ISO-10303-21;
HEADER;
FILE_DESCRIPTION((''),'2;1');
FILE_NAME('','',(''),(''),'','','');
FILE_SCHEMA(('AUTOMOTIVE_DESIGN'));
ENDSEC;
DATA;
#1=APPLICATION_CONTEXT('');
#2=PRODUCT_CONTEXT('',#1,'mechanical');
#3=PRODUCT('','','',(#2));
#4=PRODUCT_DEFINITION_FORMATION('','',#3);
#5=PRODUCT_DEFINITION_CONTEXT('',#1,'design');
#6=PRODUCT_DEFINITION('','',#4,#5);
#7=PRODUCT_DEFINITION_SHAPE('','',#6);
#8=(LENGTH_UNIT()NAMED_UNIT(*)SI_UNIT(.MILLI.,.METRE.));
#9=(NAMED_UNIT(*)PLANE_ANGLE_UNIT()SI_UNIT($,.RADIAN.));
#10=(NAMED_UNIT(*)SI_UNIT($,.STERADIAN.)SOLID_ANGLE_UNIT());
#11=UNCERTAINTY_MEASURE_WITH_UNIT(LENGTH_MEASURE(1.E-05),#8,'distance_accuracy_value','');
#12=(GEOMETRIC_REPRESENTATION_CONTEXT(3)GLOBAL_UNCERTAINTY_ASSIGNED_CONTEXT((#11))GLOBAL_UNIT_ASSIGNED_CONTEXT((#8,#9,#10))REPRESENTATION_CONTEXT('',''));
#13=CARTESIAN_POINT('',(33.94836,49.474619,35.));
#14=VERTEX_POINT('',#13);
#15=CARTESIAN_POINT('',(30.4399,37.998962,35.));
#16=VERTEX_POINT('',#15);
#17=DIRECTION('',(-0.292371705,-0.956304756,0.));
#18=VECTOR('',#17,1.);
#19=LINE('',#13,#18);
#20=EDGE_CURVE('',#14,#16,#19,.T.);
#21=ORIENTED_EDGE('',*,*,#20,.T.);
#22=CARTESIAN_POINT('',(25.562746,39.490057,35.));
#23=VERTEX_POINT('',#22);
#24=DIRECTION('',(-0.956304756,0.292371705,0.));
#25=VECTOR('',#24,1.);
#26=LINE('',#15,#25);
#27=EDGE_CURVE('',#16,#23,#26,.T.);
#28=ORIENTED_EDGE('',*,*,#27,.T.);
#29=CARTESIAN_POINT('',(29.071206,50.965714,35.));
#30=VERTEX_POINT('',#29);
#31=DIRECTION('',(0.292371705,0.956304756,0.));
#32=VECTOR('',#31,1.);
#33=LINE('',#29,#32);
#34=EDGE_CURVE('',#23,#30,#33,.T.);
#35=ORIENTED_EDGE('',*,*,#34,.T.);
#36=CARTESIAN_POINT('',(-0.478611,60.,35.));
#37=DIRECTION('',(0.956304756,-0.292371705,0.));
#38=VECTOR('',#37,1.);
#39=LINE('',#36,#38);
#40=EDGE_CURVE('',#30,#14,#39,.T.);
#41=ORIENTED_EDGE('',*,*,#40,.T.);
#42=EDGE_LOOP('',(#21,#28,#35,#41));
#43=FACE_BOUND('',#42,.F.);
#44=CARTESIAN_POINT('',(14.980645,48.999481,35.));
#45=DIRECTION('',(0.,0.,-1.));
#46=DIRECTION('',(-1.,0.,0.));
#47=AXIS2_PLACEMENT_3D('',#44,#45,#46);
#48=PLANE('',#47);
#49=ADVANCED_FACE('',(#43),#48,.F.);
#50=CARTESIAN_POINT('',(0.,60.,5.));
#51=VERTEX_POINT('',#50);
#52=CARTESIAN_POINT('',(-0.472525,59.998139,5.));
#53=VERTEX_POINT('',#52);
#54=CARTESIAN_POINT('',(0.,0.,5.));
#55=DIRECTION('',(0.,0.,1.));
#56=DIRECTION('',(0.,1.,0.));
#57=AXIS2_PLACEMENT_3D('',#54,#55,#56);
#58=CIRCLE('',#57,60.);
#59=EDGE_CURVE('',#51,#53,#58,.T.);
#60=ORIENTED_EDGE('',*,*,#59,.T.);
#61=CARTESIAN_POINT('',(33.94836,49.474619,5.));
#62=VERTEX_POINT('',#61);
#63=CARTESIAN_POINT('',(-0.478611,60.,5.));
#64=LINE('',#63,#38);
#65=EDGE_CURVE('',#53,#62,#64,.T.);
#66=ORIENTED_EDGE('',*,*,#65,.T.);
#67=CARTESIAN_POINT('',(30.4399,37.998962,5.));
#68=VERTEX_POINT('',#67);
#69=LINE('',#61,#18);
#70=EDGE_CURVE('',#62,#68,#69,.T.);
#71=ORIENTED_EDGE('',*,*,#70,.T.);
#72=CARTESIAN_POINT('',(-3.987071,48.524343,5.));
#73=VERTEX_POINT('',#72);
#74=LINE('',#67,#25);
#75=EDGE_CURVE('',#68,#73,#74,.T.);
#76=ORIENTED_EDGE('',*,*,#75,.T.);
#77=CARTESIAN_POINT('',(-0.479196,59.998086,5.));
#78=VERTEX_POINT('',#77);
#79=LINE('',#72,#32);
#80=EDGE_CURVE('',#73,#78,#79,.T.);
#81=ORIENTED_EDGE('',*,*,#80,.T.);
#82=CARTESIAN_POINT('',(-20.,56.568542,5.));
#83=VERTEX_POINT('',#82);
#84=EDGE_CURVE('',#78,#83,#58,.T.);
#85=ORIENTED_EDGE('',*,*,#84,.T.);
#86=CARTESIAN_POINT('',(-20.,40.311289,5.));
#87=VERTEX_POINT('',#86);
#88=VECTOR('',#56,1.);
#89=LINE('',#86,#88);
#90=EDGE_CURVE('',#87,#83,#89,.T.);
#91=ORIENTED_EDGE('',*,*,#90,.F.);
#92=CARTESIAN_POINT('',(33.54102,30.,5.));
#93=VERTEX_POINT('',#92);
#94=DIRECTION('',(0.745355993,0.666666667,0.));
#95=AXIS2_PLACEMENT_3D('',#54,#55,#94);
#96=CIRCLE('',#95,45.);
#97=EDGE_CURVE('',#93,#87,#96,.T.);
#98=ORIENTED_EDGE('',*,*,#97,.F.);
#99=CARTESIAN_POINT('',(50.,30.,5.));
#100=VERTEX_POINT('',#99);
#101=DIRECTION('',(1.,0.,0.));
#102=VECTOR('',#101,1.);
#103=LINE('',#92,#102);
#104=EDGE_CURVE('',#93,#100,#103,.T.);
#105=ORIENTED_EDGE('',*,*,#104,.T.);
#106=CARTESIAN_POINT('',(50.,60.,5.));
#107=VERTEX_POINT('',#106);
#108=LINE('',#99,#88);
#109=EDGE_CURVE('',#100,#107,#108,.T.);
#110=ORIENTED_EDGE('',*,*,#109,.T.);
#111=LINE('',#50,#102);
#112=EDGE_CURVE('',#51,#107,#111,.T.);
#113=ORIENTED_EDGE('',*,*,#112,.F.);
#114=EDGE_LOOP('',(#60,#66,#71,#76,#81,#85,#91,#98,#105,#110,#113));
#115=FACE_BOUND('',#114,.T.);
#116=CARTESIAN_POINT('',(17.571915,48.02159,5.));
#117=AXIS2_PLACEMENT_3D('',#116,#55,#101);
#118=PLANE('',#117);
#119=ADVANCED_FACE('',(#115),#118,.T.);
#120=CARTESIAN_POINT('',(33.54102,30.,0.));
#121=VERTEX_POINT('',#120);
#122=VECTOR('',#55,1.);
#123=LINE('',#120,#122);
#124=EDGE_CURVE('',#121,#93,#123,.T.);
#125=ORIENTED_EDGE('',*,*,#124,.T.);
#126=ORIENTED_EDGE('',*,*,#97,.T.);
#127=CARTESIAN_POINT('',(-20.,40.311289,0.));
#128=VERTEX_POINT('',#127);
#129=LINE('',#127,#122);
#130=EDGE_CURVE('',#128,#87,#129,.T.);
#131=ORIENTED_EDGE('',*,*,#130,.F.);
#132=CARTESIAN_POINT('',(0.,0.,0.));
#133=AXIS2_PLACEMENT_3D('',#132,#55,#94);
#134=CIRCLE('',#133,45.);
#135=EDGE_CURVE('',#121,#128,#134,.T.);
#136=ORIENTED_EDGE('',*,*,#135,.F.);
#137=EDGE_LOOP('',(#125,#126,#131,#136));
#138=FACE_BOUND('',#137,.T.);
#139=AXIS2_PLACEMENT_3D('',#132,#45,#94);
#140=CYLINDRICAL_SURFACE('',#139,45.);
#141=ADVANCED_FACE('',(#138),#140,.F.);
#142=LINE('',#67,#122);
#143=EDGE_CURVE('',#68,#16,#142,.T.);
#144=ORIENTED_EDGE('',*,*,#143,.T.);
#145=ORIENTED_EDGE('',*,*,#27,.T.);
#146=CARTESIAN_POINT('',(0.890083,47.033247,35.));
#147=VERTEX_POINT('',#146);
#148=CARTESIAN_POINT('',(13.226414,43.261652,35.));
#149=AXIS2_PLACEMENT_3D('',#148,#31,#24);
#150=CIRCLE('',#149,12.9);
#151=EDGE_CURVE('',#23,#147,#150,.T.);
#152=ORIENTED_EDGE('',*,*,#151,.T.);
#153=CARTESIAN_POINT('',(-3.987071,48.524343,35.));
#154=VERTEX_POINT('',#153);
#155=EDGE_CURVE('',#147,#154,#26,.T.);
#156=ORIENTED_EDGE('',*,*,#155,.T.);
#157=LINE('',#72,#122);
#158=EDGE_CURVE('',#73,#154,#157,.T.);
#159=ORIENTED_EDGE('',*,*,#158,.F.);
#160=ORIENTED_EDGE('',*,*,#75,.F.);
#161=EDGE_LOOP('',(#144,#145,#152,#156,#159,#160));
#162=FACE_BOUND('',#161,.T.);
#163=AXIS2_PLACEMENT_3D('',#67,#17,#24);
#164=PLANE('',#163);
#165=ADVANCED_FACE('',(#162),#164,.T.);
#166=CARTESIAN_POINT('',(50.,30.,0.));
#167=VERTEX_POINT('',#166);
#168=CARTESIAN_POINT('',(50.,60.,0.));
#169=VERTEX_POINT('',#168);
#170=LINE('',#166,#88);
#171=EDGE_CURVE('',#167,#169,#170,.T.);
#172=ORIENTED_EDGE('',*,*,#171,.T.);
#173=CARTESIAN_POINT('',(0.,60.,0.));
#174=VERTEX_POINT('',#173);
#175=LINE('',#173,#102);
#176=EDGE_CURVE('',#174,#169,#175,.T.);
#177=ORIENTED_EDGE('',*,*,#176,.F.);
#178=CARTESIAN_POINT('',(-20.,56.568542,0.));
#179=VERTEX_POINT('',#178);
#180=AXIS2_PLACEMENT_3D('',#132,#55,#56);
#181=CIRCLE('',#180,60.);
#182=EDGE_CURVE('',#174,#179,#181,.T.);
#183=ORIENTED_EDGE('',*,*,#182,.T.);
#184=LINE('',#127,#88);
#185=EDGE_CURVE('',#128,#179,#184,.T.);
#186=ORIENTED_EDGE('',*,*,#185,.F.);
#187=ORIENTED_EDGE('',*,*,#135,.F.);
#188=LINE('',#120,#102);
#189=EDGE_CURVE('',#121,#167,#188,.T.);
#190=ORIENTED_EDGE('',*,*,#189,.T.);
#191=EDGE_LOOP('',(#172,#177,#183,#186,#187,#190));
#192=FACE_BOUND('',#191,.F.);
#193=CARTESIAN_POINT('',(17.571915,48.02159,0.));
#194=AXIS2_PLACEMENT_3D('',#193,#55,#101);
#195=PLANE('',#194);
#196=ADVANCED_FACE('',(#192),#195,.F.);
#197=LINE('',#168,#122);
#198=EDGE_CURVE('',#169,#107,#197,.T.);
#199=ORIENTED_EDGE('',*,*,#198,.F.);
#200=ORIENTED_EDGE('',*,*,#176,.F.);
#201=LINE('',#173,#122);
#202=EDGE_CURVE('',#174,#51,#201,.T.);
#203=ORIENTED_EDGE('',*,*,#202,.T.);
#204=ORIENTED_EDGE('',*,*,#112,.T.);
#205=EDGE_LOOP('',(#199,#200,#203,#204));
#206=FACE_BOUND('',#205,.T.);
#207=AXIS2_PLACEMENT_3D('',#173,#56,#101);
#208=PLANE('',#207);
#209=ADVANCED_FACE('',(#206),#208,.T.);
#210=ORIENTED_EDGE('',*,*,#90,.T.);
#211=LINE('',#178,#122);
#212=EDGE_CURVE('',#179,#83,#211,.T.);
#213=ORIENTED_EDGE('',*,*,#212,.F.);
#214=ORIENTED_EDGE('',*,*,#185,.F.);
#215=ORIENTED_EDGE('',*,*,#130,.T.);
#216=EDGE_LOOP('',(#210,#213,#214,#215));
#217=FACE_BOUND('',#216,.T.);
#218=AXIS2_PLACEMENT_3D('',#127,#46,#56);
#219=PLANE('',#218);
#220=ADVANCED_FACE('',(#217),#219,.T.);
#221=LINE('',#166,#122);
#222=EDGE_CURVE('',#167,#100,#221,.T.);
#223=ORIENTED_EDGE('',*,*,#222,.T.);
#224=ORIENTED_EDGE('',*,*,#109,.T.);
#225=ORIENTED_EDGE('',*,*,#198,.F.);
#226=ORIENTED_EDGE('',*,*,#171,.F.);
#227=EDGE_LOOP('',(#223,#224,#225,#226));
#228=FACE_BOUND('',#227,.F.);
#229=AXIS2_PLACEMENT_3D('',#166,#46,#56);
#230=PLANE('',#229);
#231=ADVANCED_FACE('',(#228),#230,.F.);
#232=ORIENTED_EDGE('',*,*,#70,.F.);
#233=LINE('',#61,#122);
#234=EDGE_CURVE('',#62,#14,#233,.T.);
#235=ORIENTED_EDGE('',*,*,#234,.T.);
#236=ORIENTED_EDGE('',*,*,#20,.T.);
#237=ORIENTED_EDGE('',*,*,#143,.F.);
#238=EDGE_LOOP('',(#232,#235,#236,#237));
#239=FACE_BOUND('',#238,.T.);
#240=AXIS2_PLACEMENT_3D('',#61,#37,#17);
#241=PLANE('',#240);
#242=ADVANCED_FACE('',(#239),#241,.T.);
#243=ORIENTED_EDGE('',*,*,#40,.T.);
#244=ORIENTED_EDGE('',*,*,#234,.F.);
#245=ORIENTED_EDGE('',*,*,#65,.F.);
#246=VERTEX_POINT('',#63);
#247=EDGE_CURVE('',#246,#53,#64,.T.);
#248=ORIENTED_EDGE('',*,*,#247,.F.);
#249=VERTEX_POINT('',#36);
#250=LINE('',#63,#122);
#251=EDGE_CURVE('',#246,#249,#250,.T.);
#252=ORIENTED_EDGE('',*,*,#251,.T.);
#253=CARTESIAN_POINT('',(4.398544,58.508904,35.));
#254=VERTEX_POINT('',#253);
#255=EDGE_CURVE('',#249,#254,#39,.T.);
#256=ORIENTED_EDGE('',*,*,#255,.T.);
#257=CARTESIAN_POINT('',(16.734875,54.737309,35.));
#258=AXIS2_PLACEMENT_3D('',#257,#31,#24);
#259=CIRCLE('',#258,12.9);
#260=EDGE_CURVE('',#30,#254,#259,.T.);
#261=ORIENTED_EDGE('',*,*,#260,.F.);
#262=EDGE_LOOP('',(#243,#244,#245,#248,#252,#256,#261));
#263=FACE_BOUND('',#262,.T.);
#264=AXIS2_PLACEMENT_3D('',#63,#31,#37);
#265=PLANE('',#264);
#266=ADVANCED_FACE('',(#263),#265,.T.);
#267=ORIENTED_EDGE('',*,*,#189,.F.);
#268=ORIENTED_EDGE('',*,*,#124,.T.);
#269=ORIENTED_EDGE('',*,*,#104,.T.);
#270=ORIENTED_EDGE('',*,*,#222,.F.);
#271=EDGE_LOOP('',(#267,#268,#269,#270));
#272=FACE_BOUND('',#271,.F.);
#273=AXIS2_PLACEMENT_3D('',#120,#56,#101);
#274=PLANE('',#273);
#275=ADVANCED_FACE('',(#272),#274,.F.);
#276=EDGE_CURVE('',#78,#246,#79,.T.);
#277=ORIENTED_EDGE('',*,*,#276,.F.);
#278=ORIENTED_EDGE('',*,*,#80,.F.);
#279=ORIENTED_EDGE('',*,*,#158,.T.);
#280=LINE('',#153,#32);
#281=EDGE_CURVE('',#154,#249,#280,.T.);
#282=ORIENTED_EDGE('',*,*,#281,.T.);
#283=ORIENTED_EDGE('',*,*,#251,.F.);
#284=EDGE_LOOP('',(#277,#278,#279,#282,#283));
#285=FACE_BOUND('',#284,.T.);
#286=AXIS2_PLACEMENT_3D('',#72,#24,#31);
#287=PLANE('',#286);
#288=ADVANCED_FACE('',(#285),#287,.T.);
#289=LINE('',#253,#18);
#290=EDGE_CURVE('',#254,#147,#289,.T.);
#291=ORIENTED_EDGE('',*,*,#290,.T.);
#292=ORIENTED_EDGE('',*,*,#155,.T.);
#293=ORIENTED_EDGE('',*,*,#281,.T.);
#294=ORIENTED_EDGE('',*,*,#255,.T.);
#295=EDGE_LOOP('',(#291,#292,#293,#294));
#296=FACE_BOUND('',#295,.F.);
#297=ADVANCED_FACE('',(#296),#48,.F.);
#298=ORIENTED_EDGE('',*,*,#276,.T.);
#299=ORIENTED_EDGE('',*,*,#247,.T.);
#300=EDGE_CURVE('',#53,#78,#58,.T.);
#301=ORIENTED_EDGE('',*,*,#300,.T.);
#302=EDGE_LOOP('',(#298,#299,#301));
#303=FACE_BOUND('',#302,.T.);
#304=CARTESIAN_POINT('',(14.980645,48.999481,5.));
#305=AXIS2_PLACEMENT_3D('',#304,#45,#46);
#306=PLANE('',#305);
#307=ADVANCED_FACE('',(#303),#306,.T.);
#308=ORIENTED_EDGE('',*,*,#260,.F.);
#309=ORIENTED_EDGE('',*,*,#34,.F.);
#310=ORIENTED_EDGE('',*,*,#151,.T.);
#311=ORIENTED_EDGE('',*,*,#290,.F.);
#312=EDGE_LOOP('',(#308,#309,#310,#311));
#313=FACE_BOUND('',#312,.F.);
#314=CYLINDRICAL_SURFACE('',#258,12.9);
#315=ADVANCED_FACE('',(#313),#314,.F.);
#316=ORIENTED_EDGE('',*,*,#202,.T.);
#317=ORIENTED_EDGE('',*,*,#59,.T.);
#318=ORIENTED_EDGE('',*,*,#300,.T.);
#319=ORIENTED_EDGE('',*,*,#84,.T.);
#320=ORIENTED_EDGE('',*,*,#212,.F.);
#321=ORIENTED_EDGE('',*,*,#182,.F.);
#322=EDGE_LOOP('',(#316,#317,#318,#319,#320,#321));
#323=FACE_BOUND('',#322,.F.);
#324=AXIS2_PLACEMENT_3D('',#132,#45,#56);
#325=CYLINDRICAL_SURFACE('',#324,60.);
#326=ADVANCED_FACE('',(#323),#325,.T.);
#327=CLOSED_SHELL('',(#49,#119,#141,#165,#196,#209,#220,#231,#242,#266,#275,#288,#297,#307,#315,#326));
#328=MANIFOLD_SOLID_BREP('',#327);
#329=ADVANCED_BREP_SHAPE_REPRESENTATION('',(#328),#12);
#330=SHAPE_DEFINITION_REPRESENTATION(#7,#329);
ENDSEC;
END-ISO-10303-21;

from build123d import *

# Parameters (mm, degrees)
PAD_DEPTH    = 5
PAD001_DEPTH = 30
SKETCH002_R  = 12.9
POCKET_DEPTH = 34.3976445385


with BuildPart() as part:
    # Sketch → Pad (new body)
    with BuildSketch(Plane.XY):
        with BuildLine():
            Line((33.5410196625, 30), (50, 30))
            Line((50, 30), (50, 60))
            Line((0, 60), (50, 60))
            ThreePointArc((0, 60), (-10.1461187235, 59.1359135792), (-20, 56.5685424949))
            Line((-20, 40.3112887415), (-20, 56.5685424949))
            ThreePointArc((33.5410196625, 30), (8.5100218715, 44.1880020792), (-20, 40.3112887415))
        make_face()
    extrude(amount=PAD_DEPTH)

    # Sketch001 → Pad001 (new body)
    with BuildSketch(Plane.XY.offset(5)):
        Polygon((-0.4786107292, 60), (33.9483604854, 49.47461863), (30.4399000287, 37.9989615584), (-3.9870711859, 48.5243429284), align=None)
    extrude(amount=PAD001_DEPTH)

    # Sketch002 → Pocket (cut, through all)
    with BuildSketch(Plane(origin=(16.7348748781, 54.737309315, 0), x_dir=(-0.956304756, 0.2923717047, 0), z_dir=(0.2923717047, 0.956304756, 0))):
        with Locations((0, 35)):
            Circle(SKETCH002_R)
    extrude(amount=-POCKET_DEPTH, mode=Mode.SUBTRACT)


solid = part.part
